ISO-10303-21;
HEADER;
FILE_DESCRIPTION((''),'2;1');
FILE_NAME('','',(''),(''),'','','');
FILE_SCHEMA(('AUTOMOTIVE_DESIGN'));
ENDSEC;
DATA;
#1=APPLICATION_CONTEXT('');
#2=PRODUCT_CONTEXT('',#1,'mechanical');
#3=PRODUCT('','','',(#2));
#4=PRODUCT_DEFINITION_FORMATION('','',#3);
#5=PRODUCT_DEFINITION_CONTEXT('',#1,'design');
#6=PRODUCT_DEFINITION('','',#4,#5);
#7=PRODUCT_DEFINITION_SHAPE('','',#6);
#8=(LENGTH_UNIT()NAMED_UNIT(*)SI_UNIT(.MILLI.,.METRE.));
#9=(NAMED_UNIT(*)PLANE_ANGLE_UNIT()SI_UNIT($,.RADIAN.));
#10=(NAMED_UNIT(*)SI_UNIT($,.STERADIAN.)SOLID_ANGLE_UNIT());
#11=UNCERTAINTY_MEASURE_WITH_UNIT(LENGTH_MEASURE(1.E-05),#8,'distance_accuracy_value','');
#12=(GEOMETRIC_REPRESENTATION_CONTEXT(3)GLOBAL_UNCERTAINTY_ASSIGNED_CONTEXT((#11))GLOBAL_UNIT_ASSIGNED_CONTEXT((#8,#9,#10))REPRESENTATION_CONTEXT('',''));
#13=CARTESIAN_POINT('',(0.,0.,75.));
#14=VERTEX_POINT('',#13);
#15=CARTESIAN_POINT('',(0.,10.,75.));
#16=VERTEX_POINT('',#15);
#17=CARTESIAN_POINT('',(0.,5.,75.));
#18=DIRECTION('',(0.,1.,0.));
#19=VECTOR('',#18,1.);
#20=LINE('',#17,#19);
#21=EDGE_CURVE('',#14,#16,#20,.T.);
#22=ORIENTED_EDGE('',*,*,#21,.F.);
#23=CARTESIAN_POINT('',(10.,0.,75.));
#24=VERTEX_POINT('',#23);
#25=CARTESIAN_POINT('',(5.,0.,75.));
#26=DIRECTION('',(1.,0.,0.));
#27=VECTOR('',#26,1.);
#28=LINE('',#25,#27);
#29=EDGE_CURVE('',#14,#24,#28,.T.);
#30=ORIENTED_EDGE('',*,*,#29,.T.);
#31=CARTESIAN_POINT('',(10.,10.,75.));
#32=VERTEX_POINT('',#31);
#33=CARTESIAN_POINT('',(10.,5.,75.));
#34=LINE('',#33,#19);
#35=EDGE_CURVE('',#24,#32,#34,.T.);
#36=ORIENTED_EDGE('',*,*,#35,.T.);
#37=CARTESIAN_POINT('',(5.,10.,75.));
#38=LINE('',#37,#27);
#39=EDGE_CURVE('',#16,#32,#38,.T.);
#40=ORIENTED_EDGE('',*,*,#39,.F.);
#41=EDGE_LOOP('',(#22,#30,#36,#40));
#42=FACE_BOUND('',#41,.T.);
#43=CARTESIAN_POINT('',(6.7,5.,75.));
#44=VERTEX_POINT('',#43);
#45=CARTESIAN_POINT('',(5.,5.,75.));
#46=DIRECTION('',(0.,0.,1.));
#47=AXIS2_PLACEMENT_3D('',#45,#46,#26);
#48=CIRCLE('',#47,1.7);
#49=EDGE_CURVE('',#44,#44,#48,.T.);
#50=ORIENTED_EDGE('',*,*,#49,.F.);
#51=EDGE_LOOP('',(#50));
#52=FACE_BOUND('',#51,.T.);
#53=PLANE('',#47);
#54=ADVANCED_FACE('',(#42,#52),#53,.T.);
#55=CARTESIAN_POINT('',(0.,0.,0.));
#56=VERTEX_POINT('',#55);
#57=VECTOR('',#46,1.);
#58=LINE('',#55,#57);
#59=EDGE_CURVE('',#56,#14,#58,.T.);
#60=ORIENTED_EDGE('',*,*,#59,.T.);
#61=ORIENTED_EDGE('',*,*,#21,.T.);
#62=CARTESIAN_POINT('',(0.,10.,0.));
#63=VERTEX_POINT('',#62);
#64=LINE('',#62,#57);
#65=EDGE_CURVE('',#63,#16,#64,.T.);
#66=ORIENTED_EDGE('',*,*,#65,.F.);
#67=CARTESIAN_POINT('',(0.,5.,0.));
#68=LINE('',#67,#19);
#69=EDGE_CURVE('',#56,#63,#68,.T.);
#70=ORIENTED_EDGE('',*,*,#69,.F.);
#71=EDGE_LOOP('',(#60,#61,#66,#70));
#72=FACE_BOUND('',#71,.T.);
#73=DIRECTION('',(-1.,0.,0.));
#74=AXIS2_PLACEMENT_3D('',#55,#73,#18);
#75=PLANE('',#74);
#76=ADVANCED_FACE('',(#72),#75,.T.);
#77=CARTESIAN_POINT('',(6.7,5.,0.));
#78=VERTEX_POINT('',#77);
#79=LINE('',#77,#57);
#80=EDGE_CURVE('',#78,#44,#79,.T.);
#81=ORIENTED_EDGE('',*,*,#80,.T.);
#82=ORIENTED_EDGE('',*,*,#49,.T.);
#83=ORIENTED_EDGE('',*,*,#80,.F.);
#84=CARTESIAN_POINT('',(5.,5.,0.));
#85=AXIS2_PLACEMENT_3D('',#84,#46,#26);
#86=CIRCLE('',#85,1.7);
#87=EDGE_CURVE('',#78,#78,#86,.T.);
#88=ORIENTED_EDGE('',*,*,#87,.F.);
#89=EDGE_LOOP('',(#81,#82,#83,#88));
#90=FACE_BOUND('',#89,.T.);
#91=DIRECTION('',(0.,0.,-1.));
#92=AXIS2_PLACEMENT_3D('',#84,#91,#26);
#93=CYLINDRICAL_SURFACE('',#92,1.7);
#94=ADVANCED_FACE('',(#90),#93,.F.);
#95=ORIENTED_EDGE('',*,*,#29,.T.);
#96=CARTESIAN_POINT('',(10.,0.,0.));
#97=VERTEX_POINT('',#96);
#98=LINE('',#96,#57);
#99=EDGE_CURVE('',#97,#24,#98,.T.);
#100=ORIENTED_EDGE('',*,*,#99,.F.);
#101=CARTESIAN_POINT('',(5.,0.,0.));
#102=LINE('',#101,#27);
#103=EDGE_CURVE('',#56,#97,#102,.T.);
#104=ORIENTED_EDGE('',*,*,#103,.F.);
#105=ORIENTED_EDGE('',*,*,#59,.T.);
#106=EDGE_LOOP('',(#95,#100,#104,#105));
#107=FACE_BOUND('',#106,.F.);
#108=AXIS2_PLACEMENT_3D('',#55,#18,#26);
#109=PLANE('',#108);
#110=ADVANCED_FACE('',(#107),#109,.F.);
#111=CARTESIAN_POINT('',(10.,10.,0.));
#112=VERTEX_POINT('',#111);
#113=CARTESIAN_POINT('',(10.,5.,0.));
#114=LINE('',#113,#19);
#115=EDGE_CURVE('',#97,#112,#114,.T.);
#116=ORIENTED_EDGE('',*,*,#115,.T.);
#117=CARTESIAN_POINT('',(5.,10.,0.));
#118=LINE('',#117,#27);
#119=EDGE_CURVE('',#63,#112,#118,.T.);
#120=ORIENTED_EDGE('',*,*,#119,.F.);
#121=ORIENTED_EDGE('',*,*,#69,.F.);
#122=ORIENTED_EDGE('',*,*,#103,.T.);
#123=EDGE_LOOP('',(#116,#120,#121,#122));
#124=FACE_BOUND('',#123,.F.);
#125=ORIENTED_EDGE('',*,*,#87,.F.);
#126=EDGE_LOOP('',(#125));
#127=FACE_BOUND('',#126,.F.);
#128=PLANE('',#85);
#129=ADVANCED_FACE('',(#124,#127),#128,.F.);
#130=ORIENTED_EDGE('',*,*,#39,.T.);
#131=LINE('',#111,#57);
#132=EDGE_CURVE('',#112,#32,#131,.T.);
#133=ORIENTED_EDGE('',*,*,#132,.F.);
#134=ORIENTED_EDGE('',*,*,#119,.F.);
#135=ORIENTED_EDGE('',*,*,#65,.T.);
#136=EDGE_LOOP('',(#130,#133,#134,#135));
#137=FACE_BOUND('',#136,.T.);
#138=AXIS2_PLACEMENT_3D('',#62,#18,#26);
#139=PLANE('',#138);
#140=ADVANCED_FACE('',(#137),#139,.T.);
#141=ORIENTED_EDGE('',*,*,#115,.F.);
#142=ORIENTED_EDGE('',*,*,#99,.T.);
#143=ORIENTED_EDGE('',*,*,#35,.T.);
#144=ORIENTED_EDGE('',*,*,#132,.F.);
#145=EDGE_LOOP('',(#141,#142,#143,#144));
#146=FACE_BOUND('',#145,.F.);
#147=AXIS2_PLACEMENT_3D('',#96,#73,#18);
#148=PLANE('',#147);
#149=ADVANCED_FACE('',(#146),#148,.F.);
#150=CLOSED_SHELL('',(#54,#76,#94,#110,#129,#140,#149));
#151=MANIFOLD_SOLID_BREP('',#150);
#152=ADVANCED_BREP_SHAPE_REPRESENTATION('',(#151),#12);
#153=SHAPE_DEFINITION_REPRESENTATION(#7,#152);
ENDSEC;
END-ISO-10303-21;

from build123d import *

# Parameters (mm, degrees)
SKETCH_W  = 10
SKETCH_H  = 10
SKETCH_R  = 1.7
PAD_DEPTH = 75


with BuildPart() as part:
    # Sketch → Pad (new body)
    with BuildSketch(Plane.XY):
        with Locations((5, 5)):
            Rectangle(SKETCH_W, SKETCH_H)
        with Locations((5, 5)):
            Circle(SKETCH_R, mode=Mode.SUBTRACT)
    extrude(amount=PAD_DEPTH)


solid = part.part
